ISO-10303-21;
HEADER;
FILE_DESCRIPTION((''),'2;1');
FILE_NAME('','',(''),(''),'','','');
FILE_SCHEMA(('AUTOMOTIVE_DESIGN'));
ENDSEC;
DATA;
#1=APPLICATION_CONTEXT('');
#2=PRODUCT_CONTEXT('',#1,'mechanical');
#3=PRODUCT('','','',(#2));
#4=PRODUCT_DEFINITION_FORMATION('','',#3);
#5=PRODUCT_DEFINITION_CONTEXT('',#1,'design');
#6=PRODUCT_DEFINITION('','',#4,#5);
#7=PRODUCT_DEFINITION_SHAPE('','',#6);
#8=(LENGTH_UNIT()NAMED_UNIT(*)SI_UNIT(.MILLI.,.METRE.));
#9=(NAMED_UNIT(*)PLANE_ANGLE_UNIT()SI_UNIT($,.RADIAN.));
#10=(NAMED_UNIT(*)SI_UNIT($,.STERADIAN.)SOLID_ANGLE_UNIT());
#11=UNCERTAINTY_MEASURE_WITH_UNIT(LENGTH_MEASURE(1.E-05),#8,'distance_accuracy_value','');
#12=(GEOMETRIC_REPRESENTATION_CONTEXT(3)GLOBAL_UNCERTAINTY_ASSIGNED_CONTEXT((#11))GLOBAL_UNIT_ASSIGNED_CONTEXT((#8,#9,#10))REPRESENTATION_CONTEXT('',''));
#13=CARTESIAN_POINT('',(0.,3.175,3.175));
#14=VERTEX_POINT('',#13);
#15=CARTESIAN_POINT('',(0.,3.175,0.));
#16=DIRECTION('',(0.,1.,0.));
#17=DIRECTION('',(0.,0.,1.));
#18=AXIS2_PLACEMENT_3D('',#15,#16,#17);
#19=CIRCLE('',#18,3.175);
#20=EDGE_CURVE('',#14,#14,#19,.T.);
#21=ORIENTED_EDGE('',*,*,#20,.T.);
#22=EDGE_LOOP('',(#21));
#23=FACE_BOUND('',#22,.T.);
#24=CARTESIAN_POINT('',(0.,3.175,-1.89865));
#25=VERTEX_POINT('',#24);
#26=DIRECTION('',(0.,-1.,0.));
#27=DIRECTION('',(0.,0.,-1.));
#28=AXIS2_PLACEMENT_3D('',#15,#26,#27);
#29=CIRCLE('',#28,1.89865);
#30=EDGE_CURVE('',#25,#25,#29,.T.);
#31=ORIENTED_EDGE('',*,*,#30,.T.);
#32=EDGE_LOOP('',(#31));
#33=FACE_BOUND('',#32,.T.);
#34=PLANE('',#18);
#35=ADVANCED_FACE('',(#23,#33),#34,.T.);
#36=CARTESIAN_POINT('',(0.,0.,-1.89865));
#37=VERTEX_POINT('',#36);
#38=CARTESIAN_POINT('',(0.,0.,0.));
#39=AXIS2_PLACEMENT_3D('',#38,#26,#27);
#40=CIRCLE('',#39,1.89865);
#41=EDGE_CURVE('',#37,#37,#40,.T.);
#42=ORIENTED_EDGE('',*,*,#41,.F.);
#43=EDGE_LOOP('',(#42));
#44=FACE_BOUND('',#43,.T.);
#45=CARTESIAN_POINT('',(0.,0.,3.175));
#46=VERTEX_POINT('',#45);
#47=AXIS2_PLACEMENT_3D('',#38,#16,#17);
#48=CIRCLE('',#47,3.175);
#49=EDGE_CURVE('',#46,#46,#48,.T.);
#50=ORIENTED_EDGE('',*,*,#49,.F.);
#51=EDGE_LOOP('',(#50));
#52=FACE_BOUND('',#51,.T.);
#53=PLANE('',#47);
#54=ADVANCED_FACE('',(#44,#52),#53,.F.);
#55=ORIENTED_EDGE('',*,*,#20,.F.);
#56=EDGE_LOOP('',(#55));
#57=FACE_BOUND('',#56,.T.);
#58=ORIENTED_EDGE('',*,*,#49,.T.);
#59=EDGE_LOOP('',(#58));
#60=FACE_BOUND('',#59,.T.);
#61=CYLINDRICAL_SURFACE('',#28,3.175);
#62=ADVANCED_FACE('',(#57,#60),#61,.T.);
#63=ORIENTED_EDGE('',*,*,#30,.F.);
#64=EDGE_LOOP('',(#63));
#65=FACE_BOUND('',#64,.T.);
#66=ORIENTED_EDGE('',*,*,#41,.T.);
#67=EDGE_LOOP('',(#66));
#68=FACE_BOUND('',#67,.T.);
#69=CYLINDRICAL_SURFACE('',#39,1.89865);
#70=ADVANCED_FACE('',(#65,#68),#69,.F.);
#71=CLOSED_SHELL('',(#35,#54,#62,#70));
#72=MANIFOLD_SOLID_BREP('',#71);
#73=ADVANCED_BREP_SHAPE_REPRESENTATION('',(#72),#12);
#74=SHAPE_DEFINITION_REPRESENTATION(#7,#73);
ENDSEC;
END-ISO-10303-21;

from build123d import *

# Parameters (mm, degrees)
SKETCH1_R             = 3.175
BOSS_EXTRUDE1_DEPTH   = 3.175
F_6_CLEARANCE_HOLE1_D = 3.7973


with BuildPart() as part:
    # Sketch1 → Boss-Extrude1 (new body)
    with BuildSketch(Plane(origin=(0, 0, 0), x_dir=(1, 0, 0), z_dir=(0, 1, 0))):
        with Locations(Location((0, 0, 0), (0, 0, 270))):
            Circle(SKETCH1_R)
    extrude(amount=BOSS_EXTRUDE1_DEPTH)

    # #6 Clearance Hole1 (through all)
    with Locations(Plane(origin=(0, 0, 0), x_dir=(0, 0, -1), z_dir=(0, -1, 0))):
        with Locations((0, 0)):
            Hole(F_6_CLEARANCE_HOLE1_D / 2)


solid = part.part
